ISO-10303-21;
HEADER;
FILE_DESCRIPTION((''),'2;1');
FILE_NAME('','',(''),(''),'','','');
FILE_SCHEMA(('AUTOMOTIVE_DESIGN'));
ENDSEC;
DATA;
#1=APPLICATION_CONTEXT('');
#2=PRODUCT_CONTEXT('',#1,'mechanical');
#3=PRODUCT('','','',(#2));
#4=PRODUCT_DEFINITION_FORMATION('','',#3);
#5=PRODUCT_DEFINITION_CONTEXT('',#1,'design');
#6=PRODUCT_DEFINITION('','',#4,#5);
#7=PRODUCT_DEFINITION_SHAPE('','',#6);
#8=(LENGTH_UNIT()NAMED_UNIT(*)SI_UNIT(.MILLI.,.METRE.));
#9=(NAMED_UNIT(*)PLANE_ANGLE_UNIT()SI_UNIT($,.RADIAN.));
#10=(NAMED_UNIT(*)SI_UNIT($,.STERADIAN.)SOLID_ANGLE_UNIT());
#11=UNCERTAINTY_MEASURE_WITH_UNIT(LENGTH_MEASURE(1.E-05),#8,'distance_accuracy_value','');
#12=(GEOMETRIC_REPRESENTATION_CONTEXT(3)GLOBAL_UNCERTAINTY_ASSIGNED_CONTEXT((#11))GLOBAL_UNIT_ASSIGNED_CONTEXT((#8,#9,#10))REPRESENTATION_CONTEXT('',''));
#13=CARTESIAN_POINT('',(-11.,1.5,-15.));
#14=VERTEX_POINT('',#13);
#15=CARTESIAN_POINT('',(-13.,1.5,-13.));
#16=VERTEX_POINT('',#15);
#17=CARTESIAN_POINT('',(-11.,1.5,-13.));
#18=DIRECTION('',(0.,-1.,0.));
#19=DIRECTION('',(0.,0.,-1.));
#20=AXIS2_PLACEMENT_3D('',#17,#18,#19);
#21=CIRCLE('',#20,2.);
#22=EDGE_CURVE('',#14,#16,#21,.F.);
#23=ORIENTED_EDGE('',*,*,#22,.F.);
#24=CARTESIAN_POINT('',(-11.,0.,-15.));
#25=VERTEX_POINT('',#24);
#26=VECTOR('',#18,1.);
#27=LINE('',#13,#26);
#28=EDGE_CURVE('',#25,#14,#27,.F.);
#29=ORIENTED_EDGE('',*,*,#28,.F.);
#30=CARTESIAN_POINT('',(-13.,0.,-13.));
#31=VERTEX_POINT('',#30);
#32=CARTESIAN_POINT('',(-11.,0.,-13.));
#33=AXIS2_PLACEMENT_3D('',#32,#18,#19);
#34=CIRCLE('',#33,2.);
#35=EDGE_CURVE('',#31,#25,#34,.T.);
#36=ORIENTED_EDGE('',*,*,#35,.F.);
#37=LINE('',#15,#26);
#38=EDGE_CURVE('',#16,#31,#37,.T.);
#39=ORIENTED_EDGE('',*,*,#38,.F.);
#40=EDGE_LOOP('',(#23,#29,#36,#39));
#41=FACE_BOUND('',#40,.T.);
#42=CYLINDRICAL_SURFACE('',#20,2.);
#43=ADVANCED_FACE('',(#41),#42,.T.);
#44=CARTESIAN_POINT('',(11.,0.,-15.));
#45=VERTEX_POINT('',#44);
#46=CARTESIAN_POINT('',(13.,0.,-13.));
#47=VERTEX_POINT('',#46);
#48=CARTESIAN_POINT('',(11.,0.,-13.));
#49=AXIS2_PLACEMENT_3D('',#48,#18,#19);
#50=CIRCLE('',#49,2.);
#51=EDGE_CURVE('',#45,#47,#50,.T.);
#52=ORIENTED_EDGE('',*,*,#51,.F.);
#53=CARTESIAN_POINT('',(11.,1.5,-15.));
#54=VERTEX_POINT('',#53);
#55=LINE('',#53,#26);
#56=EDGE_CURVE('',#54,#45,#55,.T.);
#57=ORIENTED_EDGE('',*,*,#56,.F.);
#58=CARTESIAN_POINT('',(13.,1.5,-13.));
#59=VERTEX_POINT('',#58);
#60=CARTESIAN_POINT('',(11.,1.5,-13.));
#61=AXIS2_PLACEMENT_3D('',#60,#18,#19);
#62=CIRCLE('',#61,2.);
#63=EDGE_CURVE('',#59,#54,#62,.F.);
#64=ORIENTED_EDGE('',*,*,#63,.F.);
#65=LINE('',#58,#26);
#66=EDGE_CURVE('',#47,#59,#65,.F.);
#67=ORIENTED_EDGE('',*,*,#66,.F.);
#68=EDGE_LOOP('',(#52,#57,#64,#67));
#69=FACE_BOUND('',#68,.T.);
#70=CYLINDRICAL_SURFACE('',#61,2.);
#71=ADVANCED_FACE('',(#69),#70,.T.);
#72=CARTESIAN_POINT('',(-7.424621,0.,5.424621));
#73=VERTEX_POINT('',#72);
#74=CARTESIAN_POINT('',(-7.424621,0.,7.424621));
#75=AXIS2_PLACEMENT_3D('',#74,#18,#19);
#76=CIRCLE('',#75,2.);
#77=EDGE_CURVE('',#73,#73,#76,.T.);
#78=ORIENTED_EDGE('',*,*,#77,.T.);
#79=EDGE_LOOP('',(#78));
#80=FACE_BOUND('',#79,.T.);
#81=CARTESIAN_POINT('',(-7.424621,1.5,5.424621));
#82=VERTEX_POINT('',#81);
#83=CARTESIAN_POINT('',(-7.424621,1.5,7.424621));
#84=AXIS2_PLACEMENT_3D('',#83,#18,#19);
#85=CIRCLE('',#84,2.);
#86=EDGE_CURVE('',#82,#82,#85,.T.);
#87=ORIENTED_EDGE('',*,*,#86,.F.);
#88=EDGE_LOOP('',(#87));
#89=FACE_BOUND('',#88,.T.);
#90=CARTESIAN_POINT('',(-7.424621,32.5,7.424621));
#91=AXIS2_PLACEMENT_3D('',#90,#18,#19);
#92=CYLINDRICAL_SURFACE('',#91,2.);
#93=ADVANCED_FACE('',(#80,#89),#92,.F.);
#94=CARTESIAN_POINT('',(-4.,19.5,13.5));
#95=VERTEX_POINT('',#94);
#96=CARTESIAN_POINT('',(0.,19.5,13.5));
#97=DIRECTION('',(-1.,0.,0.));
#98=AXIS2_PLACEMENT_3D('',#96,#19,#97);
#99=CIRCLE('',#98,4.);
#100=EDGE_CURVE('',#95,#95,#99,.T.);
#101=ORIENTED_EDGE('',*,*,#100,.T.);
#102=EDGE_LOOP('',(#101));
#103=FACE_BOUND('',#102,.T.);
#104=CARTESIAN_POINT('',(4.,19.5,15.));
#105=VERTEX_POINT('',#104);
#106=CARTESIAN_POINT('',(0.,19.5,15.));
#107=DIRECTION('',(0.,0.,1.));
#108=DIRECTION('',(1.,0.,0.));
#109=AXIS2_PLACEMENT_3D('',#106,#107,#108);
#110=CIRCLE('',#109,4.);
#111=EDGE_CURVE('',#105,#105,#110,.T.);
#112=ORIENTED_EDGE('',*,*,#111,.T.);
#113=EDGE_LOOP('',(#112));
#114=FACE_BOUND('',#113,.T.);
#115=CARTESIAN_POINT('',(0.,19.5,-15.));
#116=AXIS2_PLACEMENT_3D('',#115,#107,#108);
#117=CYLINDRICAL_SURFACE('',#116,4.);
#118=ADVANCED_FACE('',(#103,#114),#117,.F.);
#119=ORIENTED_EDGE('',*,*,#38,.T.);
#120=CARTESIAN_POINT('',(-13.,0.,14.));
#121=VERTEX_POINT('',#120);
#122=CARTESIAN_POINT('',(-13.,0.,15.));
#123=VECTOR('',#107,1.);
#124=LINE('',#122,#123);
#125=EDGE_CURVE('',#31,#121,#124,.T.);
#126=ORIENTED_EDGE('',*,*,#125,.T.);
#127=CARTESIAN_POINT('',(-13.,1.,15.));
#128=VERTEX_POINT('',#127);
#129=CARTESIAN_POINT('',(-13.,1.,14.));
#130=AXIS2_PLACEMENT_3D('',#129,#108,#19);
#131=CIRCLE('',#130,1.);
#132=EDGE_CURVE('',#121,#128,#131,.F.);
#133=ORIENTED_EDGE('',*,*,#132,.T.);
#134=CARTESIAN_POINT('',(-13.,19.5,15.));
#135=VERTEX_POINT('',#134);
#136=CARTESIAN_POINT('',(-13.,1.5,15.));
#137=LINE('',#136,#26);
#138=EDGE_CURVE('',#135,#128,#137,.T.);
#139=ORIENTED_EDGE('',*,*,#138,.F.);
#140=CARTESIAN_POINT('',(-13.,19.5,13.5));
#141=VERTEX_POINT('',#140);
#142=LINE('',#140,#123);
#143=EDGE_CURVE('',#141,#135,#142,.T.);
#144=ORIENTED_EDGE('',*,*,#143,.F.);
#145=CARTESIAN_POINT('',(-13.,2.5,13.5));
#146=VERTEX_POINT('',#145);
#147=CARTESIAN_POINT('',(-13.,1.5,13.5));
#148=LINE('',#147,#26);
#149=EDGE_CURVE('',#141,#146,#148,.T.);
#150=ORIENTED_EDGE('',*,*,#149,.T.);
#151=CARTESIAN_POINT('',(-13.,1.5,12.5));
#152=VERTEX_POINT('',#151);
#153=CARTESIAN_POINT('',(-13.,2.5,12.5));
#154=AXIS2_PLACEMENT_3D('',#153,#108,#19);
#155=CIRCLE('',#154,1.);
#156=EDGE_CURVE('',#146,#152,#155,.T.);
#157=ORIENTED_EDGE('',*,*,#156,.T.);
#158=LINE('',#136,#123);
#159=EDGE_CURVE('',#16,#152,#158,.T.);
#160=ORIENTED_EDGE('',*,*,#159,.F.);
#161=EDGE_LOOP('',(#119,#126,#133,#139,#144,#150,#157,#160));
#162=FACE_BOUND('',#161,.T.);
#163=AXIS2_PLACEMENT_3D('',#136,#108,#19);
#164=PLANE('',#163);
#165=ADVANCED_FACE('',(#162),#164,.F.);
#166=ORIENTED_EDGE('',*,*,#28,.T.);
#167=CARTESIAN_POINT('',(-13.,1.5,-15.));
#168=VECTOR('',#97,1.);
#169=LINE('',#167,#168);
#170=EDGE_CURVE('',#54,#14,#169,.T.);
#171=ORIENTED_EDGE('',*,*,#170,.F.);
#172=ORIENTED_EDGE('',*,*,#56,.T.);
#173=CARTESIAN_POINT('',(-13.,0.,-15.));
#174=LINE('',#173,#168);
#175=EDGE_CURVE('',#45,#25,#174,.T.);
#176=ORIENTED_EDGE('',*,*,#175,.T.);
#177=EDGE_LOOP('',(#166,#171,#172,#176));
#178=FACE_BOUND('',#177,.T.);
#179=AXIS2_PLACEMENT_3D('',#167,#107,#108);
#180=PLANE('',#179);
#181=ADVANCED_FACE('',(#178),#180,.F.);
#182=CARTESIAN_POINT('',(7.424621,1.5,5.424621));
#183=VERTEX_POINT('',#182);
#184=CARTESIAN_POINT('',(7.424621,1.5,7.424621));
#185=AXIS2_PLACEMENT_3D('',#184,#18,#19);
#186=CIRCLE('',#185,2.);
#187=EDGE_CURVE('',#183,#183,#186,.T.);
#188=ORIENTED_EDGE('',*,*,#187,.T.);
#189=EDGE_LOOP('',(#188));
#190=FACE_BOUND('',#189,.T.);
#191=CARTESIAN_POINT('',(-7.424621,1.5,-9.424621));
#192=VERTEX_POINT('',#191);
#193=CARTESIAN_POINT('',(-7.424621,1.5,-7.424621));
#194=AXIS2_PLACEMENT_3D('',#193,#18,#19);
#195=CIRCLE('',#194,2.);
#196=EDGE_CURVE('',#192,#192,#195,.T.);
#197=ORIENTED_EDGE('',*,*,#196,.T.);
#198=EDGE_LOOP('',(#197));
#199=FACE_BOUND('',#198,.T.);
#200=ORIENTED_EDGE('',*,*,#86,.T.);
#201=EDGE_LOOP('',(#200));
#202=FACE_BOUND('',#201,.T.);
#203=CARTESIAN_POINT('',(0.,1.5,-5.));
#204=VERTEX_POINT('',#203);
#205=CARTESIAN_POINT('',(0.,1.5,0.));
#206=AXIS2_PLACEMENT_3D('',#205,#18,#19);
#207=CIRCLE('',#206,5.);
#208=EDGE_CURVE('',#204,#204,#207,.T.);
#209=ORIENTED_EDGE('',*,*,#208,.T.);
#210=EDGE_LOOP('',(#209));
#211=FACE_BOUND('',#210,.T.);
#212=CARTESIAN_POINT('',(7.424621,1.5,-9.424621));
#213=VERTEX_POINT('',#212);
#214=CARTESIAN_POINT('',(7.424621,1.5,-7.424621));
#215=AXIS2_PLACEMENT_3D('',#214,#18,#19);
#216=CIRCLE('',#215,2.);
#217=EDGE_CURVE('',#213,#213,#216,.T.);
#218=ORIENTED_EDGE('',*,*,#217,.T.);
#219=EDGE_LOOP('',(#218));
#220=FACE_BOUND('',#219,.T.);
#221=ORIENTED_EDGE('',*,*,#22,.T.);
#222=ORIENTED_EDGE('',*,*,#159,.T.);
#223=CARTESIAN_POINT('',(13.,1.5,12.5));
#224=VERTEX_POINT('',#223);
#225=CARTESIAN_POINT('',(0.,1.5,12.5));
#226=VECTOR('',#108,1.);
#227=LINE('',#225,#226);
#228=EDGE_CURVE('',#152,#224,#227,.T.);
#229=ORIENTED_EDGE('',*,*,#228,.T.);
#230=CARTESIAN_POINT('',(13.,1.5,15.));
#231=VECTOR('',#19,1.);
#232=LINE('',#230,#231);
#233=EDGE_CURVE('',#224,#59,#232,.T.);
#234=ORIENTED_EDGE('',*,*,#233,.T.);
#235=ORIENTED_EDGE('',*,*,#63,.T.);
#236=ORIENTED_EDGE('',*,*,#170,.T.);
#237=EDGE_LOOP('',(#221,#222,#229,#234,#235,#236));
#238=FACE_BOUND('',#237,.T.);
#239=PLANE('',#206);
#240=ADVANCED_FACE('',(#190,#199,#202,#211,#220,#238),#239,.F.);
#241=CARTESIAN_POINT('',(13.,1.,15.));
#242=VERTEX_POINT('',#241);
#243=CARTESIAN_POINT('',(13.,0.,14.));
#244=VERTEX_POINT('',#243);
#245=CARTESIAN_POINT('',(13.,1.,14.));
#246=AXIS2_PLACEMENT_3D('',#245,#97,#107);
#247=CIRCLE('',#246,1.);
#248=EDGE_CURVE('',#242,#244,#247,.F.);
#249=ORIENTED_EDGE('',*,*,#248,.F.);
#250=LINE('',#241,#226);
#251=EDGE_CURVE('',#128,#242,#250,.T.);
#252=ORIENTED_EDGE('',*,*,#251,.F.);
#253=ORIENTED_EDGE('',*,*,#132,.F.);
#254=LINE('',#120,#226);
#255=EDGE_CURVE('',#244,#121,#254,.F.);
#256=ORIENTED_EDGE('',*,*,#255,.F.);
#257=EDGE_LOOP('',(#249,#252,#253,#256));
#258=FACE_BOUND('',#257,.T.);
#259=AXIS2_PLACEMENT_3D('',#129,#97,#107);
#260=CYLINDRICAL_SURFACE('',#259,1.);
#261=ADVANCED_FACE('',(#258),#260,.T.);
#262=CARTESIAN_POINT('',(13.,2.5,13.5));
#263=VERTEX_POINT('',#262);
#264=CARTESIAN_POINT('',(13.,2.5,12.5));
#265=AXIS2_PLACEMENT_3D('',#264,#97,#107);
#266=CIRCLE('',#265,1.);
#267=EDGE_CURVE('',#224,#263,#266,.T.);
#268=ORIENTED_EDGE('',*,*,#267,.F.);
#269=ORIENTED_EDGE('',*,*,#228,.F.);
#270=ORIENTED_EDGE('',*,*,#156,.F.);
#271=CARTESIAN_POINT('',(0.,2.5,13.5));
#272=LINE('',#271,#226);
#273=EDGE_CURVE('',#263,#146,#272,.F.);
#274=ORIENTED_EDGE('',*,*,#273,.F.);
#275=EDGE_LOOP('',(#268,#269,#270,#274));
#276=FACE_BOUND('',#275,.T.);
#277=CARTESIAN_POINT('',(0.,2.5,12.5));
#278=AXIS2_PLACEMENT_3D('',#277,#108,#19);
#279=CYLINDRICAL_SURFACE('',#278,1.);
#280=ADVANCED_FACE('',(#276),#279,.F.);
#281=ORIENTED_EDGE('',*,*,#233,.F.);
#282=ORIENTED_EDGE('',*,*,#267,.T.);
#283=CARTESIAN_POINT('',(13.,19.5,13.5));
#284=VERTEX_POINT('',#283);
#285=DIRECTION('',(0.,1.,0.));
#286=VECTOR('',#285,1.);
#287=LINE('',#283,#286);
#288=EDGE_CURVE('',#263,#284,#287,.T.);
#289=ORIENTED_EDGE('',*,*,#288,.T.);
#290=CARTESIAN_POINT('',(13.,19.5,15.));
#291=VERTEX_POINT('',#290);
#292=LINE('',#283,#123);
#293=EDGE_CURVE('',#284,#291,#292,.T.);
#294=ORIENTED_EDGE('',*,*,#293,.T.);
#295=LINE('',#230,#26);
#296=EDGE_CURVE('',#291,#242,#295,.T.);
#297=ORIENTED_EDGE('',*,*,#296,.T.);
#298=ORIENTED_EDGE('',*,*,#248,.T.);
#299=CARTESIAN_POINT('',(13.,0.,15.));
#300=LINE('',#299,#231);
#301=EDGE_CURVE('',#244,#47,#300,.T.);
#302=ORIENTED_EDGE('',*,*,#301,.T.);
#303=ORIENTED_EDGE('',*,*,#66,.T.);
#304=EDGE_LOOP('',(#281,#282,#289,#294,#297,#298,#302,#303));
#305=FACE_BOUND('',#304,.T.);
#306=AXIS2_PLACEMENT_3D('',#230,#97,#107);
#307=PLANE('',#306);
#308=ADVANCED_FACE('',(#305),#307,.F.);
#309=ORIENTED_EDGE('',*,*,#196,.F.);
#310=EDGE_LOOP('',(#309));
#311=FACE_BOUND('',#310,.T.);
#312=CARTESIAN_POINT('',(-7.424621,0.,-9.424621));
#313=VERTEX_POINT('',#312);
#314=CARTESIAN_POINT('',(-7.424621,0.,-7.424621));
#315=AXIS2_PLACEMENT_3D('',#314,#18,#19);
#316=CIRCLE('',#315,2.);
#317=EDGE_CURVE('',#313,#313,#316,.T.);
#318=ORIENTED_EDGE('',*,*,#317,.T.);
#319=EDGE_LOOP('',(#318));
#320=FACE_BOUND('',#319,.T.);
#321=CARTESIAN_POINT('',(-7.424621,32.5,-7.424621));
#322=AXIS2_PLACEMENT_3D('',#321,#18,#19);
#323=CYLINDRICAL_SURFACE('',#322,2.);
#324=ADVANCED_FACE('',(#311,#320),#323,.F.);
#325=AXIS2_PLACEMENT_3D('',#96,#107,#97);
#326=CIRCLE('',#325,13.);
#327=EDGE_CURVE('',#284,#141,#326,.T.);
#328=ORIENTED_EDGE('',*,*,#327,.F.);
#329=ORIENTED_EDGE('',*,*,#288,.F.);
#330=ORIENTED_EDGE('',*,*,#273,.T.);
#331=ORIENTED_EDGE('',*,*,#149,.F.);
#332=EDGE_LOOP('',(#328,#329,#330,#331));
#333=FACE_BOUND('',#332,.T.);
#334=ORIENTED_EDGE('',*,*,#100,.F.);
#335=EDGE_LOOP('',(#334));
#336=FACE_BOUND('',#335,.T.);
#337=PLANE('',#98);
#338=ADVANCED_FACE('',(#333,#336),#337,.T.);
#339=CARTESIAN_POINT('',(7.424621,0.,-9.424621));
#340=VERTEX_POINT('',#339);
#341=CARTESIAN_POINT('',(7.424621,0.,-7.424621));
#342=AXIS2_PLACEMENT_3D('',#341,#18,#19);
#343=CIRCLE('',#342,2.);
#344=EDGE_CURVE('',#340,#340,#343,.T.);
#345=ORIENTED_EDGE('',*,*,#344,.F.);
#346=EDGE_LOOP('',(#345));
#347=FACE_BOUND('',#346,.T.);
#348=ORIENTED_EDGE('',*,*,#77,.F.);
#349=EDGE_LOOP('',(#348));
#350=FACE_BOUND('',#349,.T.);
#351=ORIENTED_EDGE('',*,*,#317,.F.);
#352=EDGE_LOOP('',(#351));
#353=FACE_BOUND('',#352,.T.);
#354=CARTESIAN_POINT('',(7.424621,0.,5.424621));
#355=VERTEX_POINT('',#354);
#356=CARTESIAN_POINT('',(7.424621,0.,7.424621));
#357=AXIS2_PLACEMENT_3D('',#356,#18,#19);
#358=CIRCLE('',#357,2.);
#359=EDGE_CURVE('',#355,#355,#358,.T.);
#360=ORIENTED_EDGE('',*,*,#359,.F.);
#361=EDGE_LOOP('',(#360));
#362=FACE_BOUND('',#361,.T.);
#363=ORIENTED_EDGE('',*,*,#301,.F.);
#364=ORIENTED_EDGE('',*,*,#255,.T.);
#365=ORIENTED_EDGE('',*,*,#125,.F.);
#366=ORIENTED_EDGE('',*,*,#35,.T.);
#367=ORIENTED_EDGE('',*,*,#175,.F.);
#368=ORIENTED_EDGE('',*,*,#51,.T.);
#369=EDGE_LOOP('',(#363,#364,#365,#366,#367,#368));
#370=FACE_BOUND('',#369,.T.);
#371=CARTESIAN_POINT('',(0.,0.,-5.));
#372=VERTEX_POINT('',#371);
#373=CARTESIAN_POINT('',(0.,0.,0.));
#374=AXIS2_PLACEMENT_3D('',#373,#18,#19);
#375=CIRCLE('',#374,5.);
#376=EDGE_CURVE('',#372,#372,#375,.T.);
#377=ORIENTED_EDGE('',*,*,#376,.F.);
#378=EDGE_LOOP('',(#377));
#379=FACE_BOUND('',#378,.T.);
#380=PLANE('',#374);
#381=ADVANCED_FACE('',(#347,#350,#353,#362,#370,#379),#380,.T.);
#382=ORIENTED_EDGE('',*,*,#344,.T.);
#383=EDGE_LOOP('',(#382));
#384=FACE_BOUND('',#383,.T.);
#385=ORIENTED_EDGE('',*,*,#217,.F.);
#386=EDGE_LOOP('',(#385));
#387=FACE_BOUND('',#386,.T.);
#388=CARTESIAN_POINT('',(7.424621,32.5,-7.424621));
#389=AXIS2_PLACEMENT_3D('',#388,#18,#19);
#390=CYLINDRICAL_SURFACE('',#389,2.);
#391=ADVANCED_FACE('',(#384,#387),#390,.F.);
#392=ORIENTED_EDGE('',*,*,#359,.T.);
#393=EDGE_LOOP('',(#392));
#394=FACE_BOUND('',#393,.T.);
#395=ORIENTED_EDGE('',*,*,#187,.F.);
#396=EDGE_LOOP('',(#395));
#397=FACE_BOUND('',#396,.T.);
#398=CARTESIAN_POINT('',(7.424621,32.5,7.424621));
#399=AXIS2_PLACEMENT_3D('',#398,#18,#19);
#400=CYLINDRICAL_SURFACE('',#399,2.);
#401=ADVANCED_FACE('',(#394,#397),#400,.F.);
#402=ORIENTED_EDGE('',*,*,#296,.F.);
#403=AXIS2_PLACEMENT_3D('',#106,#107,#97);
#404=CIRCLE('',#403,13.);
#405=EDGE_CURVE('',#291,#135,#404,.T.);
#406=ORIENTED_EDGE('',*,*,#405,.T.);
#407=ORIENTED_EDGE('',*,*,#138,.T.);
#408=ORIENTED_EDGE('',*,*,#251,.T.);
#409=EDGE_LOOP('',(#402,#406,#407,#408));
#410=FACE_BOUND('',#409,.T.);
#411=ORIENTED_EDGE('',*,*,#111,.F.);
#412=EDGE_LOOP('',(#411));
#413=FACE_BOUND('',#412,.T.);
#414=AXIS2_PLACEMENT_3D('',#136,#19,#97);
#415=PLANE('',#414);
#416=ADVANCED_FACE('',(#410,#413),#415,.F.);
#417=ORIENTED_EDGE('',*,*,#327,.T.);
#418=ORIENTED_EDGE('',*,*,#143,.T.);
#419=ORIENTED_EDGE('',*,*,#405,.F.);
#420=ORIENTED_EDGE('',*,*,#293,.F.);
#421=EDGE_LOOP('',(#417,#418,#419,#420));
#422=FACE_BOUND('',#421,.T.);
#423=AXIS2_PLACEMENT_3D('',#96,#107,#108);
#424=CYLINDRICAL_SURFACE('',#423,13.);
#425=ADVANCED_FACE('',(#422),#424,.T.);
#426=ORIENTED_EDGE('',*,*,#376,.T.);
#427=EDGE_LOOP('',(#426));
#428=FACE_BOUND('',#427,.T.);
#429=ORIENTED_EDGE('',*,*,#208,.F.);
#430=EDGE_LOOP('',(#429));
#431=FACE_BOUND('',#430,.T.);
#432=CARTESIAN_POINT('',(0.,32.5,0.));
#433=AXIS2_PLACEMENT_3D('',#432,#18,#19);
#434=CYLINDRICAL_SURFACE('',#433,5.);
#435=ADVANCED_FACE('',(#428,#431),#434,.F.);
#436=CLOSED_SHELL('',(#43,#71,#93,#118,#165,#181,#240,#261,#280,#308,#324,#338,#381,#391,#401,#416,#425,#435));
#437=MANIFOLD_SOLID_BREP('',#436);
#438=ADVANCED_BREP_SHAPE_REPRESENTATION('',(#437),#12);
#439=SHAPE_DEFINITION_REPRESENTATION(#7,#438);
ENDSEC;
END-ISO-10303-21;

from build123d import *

# Parameters (mm, degrees)
SKETCH1_W           = 26
SKETCH1_H           = 30
BOSS_EXTRUDE1_DEPTH = 1.5
BOSS_EXTRUDE2_DEPTH = 1.5
SKETCH4_R           = 4
CUT_EXTRUDE1_DEPTH  = 47.100433837
FILLET1_R           = 1
FILLET2_R           = 2
SKETCH5_R           = 5
SKETCH5_R_2         = 2
CUT_EXTRUDE2_DEPTH  = 39.082148049


with BuildPart() as part:
    # Sketch1 → Boss-Extrude1 (new body)
    with BuildSketch(Plane(origin=(0, 0, 0), x_dir=(1, 0, 0), z_dir=(0, 1, 0))):
        Rectangle(SKETCH1_W, SKETCH1_H)
    extrude(amount=BOSS_EXTRUDE1_DEPTH)

    # Sketch3 → Boss-Extrude2 (add)
    with BuildSketch(Plane.XY.offset(15)):
        with BuildLine():
            Line((-13, 1.5), (-13, 19.5))
            ThreePointArc((-13, 19.5), (0, 32.5), (13, 19.5))
            Line((13, 19.5), (13, 1.5))
            Line((13, 1.5), (-13, 1.5))
        make_face()
    extrude(amount=-BOSS_EXTRUDE2_DEPTH)

    # Sketch4 → Cut-Extrude1 (cut, through all)
    with BuildSketch(Plane.XY.offset(15)):
        with Locations((0, 19.5)):
            Circle(SKETCH4_R)
    extrude(amount=-CUT_EXTRUDE1_DEPTH, mode=Mode.SUBTRACT)

    # Fillet1
    fillet1_edges = [part.edges().sort_by_distance(p)[0] for p in [
        (0, 1.5, 13.5),
        (0, 0, 15),
    ]]
    fillet(fillet1_edges, radius=FILLET1_R)

    # Fillet2
    fillet2_edges = [part.edges().sort_by_distance(p)[0] for p in [
        (-13, 0.75, -15),
        (13, 0.75, -15),
    ]]
    fillet(fillet2_edges, radius=FILLET2_R)

    # Sketch5 → Cut-Extrude2 (cut, through all)
    with BuildSketch(Plane.XZ):
        with Locations(Location((0, 0, 0), (0, 0, 270))):
            Circle(SKETCH5_R)
        with Locations(Location((7.424621202, 7.424621202, 0), (0, 0, 270))):
            Circle(SKETCH5_R_2)
        with Locations(Location((-7.424621202, -7.424621202, 0), (0, 0, 270))):
            Circle(SKETCH5_R_2)
        with Locations(Location((-7.424621202, 7.424621202, 0), (0, 0, 270))):
            Circle(SKETCH5_R_2)
        with Locations(Location((7.424621202, -7.424621202, 0), (0, 0, 270))):
            Circle(SKETCH5_R_2)
    extrude(amount=-CUT_EXTRUDE2_DEPTH, mode=Mode.SUBTRACT)


solid = part.part
